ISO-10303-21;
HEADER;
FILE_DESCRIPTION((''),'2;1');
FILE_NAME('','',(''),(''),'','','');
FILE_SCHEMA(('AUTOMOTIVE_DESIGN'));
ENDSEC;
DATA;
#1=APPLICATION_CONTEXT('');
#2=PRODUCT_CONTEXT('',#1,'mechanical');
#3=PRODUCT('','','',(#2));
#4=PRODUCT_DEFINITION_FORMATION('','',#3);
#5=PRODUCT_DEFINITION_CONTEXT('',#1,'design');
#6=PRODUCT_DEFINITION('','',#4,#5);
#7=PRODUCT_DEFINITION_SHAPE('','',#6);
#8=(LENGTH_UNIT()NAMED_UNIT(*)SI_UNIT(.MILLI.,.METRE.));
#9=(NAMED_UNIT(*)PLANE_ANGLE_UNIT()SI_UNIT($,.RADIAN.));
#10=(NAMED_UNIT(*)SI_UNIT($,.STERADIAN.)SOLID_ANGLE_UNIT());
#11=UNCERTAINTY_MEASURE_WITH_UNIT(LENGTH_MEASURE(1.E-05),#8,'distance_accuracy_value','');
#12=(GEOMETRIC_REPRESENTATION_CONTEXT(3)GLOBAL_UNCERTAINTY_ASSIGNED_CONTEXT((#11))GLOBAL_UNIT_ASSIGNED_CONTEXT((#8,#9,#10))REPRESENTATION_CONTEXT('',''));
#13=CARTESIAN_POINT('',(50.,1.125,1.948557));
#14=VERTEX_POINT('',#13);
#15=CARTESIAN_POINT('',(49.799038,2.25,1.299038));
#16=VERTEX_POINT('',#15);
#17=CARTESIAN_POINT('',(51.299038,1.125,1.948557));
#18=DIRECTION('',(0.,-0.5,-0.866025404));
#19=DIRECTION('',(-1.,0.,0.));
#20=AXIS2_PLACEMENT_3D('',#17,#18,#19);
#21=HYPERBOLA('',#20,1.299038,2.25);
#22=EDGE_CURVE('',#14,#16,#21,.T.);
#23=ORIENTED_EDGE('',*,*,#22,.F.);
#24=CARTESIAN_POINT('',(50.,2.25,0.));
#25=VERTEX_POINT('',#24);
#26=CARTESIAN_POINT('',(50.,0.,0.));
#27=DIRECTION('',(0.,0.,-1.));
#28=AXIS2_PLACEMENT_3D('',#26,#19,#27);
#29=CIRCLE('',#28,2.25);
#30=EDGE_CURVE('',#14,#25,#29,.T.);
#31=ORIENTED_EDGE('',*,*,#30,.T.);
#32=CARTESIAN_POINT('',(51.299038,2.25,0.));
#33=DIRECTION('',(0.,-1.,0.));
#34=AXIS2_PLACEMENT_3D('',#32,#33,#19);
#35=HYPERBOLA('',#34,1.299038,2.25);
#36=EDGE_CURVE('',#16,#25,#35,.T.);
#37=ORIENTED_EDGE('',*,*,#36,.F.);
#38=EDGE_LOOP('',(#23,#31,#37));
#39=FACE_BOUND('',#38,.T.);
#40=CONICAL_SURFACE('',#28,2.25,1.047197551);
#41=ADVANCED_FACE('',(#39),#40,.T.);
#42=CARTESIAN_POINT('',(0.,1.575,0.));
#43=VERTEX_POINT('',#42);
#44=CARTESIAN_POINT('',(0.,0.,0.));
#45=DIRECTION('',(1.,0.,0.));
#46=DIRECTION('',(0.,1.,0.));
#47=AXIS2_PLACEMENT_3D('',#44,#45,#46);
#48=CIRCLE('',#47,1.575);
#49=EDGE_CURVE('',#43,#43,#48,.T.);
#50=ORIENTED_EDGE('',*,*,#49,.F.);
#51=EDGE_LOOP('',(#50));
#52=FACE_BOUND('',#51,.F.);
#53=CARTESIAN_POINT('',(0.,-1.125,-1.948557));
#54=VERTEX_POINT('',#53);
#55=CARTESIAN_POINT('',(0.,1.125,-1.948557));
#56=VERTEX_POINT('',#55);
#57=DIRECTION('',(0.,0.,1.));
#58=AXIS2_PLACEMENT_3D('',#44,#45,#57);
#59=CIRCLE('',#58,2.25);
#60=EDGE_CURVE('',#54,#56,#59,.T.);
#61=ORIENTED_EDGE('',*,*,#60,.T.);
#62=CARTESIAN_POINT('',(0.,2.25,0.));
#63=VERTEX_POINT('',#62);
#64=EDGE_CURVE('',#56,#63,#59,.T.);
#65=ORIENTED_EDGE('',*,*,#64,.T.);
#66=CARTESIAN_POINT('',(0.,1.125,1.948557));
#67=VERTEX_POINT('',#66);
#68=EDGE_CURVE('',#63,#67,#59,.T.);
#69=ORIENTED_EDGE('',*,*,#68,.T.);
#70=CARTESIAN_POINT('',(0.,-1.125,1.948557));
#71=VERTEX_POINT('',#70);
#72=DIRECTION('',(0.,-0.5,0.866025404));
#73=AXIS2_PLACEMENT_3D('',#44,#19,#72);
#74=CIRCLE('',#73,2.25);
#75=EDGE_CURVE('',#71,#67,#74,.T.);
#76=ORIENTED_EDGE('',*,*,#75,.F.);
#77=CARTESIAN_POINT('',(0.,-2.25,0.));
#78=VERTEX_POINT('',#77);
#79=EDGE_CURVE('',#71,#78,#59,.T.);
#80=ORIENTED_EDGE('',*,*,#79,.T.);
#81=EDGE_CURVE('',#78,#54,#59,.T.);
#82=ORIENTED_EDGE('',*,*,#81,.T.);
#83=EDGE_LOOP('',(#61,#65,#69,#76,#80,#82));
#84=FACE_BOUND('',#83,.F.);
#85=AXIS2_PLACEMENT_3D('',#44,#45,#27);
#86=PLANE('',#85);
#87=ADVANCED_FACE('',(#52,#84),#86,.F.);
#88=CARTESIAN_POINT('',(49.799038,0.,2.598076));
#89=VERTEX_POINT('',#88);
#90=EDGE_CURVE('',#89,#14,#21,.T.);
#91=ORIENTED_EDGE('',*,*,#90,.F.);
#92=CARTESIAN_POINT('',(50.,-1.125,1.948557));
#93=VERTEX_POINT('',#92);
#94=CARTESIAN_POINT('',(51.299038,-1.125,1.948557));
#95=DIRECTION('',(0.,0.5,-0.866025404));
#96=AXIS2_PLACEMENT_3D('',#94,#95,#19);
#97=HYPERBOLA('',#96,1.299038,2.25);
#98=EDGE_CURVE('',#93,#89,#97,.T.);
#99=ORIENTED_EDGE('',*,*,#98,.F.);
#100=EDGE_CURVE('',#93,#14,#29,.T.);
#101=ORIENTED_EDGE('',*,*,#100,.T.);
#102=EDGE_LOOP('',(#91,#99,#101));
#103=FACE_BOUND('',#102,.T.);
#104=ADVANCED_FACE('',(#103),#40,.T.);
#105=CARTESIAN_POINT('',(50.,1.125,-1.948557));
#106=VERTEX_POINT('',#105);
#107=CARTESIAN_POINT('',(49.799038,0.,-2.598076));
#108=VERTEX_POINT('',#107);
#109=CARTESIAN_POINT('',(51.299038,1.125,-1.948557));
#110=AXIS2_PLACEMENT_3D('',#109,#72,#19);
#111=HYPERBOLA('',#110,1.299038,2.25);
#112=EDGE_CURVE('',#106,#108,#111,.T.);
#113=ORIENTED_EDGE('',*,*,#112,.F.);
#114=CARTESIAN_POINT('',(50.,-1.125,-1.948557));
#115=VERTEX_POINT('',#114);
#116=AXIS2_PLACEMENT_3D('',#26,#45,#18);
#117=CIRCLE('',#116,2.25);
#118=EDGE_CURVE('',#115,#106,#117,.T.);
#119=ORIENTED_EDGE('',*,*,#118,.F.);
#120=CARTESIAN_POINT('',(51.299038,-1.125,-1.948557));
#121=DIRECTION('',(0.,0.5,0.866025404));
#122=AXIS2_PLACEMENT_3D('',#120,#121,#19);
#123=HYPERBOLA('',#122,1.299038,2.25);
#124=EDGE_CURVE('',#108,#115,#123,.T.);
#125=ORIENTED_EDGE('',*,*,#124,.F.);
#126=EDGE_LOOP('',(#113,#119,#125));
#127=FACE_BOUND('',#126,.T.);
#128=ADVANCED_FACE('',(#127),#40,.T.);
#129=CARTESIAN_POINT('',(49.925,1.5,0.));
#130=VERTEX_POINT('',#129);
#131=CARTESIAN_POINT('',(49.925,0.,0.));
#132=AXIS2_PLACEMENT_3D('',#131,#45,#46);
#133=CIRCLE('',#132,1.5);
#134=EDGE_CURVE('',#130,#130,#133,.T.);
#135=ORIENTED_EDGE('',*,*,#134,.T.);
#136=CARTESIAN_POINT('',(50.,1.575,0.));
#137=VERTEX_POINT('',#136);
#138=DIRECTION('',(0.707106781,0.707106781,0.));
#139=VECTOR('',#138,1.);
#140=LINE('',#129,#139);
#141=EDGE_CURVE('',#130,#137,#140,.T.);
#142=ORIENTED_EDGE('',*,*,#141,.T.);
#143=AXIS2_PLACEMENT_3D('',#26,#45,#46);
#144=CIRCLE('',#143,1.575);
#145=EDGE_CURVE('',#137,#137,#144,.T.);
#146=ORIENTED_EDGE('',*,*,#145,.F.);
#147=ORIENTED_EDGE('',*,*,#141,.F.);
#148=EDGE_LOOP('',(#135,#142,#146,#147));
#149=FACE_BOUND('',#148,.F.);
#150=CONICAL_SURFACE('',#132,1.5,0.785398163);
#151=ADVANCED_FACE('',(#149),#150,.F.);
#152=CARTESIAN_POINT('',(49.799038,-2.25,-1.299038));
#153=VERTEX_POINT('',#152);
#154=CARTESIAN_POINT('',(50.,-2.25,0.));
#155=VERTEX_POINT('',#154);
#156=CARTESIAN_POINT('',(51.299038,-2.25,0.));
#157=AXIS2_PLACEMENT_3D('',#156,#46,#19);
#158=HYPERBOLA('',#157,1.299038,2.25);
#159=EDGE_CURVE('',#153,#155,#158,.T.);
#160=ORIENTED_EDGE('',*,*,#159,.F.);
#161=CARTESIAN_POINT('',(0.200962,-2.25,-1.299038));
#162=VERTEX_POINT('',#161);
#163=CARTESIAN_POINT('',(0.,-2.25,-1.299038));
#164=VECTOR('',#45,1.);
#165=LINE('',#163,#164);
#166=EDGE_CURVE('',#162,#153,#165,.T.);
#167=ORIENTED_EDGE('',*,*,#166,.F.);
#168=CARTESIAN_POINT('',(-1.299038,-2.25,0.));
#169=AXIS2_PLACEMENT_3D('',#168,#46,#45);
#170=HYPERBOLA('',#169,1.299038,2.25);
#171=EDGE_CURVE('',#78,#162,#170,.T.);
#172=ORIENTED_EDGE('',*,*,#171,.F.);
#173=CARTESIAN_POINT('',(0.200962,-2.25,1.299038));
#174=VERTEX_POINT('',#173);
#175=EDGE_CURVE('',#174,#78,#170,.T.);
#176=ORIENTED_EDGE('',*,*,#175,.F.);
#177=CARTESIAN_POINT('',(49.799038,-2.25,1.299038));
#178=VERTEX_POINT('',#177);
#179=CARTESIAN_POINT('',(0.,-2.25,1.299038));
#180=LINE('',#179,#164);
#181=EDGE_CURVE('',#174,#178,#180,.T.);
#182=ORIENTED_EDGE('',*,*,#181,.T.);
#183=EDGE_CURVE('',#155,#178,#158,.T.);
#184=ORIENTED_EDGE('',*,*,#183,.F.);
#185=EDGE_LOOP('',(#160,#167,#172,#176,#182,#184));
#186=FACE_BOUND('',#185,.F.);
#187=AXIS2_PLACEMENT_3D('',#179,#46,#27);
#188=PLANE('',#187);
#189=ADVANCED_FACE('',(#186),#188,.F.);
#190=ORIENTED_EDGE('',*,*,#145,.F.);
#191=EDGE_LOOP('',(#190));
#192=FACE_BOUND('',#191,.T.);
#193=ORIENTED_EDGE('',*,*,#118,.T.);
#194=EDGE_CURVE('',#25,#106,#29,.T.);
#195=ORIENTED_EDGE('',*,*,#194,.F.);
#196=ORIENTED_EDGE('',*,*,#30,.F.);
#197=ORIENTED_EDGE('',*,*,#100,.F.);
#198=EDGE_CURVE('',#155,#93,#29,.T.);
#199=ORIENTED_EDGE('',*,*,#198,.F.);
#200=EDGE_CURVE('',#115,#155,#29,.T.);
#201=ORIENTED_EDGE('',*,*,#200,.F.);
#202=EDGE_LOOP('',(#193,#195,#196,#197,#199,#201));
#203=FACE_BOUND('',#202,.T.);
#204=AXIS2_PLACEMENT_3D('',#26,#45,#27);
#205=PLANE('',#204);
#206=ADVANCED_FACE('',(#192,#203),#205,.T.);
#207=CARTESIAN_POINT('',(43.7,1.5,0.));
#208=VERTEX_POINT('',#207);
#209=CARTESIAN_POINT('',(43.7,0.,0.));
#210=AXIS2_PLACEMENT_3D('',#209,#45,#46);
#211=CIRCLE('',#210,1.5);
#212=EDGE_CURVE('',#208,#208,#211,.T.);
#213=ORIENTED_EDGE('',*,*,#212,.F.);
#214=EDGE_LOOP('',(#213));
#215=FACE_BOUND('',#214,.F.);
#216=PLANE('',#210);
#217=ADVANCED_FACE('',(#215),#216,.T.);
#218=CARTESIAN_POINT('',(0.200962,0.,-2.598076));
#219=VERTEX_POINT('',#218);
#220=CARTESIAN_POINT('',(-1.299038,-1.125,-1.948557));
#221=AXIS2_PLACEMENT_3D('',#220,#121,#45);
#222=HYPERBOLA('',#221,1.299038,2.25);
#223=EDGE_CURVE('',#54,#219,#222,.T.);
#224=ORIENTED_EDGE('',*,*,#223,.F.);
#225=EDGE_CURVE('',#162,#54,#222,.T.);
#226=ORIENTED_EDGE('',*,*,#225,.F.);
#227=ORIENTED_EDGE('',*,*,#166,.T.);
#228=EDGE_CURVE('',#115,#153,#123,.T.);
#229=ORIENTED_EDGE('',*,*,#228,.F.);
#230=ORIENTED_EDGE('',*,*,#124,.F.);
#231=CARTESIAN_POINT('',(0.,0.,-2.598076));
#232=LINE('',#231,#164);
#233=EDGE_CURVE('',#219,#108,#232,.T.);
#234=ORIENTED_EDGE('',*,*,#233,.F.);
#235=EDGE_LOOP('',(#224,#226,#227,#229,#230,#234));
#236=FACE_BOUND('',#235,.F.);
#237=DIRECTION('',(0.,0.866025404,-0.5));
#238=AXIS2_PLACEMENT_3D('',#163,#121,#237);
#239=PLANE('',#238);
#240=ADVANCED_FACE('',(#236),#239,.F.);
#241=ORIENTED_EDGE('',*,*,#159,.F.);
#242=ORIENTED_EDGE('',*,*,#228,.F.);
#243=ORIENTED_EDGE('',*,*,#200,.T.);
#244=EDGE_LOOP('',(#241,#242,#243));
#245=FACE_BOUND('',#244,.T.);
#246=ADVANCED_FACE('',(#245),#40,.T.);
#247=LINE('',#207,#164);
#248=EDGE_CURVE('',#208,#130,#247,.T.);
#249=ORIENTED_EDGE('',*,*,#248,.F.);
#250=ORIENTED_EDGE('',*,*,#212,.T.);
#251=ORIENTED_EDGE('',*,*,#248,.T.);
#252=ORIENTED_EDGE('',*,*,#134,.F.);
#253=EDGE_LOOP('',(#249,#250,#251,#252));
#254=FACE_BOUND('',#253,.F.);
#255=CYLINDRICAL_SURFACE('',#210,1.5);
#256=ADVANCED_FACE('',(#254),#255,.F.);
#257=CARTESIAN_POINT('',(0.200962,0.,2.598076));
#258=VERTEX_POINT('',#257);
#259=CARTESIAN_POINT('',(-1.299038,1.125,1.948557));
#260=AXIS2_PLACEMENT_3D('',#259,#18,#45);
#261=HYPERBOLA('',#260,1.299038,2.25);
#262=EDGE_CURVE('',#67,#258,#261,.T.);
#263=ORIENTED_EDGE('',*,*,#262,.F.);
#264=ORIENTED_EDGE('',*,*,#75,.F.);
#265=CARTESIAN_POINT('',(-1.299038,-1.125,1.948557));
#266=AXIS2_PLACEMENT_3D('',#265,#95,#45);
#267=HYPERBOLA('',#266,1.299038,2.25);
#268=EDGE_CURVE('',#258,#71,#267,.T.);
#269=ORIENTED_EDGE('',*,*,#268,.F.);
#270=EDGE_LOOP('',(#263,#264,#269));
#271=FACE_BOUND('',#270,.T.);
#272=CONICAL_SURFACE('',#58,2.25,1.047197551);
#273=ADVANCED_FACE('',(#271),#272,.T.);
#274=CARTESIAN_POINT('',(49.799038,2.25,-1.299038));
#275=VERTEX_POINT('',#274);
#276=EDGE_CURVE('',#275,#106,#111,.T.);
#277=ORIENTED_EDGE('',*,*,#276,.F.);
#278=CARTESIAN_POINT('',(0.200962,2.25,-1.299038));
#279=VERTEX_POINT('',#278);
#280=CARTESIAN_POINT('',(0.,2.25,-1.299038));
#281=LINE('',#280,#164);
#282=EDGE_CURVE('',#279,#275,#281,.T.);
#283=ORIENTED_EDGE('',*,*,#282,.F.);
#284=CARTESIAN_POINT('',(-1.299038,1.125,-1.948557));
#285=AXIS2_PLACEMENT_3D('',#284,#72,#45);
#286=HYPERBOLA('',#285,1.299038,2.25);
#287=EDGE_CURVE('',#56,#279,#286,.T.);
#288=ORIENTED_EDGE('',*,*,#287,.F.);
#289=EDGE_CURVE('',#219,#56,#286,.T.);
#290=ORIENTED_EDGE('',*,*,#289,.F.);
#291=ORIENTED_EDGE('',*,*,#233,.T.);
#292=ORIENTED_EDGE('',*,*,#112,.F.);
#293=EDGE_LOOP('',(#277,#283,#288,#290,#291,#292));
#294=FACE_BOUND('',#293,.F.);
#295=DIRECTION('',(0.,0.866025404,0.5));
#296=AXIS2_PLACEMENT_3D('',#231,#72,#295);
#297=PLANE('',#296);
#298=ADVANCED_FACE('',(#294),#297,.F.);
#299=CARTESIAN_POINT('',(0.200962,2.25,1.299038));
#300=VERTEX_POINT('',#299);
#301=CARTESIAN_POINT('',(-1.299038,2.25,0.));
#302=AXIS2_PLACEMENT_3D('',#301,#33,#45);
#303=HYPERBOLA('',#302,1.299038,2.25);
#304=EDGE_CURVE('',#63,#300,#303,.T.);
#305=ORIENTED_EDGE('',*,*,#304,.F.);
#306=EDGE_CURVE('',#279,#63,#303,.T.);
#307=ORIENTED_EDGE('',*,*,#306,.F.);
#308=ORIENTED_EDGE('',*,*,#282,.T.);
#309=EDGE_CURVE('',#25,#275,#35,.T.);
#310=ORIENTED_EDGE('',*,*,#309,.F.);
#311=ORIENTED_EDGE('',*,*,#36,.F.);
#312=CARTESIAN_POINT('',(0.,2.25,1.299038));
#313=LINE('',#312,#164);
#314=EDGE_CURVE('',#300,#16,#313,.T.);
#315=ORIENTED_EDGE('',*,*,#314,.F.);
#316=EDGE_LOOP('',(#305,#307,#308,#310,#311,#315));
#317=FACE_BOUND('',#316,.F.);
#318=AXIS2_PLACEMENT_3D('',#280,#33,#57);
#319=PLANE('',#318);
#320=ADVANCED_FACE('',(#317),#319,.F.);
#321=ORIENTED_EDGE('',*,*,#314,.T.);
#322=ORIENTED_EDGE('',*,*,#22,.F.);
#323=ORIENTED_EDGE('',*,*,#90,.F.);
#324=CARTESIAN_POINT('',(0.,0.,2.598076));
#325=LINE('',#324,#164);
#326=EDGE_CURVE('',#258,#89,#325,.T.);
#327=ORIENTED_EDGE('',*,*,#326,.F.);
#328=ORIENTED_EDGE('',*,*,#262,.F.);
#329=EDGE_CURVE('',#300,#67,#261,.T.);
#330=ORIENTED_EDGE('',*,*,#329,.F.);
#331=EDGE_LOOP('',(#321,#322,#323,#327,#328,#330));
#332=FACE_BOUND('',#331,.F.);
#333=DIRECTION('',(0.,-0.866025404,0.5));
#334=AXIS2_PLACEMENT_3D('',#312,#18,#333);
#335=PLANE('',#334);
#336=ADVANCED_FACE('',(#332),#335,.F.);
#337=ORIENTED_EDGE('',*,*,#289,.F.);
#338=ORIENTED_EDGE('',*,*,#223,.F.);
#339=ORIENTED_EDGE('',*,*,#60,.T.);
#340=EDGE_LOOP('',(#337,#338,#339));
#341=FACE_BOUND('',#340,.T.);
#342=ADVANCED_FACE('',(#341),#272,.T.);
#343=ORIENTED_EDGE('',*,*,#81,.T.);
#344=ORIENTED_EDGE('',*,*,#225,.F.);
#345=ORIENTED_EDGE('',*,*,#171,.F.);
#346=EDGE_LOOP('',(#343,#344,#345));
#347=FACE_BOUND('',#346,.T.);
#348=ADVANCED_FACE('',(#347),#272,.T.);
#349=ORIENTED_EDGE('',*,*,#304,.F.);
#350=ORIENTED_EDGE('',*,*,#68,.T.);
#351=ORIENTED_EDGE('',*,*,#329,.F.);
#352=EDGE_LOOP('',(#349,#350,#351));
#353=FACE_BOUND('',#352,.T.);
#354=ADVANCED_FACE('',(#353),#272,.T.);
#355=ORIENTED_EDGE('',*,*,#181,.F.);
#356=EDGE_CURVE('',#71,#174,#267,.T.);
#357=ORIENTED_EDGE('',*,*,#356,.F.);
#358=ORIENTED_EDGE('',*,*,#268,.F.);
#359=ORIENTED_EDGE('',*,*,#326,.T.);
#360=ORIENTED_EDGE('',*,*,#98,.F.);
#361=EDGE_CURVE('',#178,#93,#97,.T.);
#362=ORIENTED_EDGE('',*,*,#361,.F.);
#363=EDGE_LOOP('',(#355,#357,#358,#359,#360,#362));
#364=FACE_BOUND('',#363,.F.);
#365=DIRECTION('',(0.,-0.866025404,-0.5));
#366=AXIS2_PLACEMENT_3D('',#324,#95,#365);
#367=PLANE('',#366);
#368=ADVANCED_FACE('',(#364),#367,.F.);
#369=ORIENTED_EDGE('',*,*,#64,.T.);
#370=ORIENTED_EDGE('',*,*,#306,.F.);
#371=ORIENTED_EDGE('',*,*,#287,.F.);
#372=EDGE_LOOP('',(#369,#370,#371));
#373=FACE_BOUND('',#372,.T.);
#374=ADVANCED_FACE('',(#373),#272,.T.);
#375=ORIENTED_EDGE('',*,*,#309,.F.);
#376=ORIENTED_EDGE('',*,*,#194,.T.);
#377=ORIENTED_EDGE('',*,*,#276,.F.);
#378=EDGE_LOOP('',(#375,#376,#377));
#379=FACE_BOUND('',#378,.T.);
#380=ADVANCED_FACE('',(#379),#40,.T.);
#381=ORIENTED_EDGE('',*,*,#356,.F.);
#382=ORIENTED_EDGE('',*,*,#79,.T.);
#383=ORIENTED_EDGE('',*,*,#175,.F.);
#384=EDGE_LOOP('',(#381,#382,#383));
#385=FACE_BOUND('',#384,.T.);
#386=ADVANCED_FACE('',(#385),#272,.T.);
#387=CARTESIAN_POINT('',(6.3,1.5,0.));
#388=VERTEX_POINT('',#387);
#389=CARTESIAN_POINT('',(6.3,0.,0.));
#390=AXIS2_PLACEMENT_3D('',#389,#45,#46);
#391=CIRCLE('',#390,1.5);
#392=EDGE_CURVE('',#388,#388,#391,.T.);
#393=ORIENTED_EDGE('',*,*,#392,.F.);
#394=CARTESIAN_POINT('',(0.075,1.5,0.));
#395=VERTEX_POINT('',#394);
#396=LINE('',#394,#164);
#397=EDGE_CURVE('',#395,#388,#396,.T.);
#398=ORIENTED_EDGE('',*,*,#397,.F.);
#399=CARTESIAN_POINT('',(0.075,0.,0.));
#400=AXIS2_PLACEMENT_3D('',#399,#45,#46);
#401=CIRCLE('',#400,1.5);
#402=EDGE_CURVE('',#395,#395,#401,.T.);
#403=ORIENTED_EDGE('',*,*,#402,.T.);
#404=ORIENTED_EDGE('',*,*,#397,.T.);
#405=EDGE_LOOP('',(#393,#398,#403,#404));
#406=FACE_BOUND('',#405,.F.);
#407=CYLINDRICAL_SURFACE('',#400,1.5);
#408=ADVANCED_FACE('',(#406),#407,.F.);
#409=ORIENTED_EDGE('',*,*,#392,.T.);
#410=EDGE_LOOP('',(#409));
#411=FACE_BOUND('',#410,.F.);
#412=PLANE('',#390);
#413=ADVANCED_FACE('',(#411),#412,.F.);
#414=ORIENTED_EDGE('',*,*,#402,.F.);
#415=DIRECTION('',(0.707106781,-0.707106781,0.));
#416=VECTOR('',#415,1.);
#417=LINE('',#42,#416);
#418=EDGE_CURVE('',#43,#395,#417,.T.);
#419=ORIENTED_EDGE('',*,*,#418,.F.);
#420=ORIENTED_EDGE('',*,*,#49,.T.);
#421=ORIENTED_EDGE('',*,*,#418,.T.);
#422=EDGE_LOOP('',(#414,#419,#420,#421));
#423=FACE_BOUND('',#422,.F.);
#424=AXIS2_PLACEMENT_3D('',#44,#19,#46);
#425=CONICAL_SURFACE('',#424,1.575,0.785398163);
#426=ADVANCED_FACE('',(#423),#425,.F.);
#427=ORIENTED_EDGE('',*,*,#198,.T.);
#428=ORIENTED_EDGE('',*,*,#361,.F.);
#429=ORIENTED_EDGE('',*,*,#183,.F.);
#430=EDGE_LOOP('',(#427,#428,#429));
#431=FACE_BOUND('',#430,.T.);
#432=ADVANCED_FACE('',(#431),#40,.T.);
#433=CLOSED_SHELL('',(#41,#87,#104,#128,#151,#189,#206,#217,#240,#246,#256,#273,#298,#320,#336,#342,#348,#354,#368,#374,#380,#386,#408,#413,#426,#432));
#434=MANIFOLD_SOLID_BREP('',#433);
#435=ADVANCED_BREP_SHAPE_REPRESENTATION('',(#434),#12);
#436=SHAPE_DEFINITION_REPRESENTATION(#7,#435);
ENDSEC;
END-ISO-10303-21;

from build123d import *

# Parameters (mm, degrees)
BOSS_EXTRUDE1_DEPTH = 50
SKETCH4_OUTSIDE_W   = 193.96
SKETCH4_OUTSIDE_H   = 193.264
SKETCH4_OUTSIDE_R   = 2.25
CUT_EXTRUDE1_DEPTH  = 51
CUT_EXTRUDE1_TAPER  = 60
SKETCH5_OUTSIDE_W   = 193.96
SKETCH5_OUTSIDE_H   = 193.264
SKETCH5_OUTSIDE_R   = 2.25
CUT_EXTRUDE2_DEPTH  = 51
CUT_EXTRUDE2_TAPER  = 60


with BuildPart() as part:
    # Sketch2 → Boss-Extrude1 (new body)
    with BuildSketch(Plane(origin=(0, 0, 0), x_dir=(0, 0, -1), z_dir=(1, 0, 0))):
        Polygon((1.299038106, 2.25), (-1.299038106, 2.25), (-2.598076211, 0), (-1.299038106, -2.25), (1.299038106, -2.25), (2.598076211, 0), align=None)
    extrude(amount=BOSS_EXTRUDE1_DEPTH)

    # Sketch3 → Cut-Revolve1 (revolve, cut)
    with BuildSketch(Plane.XY):
        Polygon((0, 1.575), (0.075, 1.5), (6.3, 1.5), (6.3, 0), (0, 0), align=None)
        Polygon((50, 0), (43.7, 0), (43.7, 1.5), (49.925, 1.5), (50, 1.575), align=None)
    revolve(axis=Axis((0, 0, 0), (1, 0, 0)), mode=Mode.SUBTRACT)

    # Sketch4 outside → Cut-Extrude1 (cut, through all)
    with BuildSketch(Plane.ZY):
        Rectangle(SKETCH4_OUTSIDE_W, SKETCH4_OUTSIDE_H)
        Circle(SKETCH4_OUTSIDE_R, mode=Mode.SUBTRACT)
    extrude(amount=-CUT_EXTRUDE1_DEPTH, taper=CUT_EXTRUDE1_TAPER, mode=Mode.SUBTRACT)

    # Sketch5 outside → Cut-Extrude2 (cut, through all)
    with BuildSketch(Plane(origin=(50, 0, 0), x_dir=(0, 0, -1), z_dir=(1, 0, 0))):
        Rectangle(SKETCH5_OUTSIDE_W, SKETCH5_OUTSIDE_H)
        Circle(SKETCH5_OUTSIDE_R, mode=Mode.SUBTRACT)
    extrude(amount=-CUT_EXTRUDE2_DEPTH, taper=CUT_EXTRUDE2_TAPER, mode=Mode.SUBTRACT)


solid = part.part
